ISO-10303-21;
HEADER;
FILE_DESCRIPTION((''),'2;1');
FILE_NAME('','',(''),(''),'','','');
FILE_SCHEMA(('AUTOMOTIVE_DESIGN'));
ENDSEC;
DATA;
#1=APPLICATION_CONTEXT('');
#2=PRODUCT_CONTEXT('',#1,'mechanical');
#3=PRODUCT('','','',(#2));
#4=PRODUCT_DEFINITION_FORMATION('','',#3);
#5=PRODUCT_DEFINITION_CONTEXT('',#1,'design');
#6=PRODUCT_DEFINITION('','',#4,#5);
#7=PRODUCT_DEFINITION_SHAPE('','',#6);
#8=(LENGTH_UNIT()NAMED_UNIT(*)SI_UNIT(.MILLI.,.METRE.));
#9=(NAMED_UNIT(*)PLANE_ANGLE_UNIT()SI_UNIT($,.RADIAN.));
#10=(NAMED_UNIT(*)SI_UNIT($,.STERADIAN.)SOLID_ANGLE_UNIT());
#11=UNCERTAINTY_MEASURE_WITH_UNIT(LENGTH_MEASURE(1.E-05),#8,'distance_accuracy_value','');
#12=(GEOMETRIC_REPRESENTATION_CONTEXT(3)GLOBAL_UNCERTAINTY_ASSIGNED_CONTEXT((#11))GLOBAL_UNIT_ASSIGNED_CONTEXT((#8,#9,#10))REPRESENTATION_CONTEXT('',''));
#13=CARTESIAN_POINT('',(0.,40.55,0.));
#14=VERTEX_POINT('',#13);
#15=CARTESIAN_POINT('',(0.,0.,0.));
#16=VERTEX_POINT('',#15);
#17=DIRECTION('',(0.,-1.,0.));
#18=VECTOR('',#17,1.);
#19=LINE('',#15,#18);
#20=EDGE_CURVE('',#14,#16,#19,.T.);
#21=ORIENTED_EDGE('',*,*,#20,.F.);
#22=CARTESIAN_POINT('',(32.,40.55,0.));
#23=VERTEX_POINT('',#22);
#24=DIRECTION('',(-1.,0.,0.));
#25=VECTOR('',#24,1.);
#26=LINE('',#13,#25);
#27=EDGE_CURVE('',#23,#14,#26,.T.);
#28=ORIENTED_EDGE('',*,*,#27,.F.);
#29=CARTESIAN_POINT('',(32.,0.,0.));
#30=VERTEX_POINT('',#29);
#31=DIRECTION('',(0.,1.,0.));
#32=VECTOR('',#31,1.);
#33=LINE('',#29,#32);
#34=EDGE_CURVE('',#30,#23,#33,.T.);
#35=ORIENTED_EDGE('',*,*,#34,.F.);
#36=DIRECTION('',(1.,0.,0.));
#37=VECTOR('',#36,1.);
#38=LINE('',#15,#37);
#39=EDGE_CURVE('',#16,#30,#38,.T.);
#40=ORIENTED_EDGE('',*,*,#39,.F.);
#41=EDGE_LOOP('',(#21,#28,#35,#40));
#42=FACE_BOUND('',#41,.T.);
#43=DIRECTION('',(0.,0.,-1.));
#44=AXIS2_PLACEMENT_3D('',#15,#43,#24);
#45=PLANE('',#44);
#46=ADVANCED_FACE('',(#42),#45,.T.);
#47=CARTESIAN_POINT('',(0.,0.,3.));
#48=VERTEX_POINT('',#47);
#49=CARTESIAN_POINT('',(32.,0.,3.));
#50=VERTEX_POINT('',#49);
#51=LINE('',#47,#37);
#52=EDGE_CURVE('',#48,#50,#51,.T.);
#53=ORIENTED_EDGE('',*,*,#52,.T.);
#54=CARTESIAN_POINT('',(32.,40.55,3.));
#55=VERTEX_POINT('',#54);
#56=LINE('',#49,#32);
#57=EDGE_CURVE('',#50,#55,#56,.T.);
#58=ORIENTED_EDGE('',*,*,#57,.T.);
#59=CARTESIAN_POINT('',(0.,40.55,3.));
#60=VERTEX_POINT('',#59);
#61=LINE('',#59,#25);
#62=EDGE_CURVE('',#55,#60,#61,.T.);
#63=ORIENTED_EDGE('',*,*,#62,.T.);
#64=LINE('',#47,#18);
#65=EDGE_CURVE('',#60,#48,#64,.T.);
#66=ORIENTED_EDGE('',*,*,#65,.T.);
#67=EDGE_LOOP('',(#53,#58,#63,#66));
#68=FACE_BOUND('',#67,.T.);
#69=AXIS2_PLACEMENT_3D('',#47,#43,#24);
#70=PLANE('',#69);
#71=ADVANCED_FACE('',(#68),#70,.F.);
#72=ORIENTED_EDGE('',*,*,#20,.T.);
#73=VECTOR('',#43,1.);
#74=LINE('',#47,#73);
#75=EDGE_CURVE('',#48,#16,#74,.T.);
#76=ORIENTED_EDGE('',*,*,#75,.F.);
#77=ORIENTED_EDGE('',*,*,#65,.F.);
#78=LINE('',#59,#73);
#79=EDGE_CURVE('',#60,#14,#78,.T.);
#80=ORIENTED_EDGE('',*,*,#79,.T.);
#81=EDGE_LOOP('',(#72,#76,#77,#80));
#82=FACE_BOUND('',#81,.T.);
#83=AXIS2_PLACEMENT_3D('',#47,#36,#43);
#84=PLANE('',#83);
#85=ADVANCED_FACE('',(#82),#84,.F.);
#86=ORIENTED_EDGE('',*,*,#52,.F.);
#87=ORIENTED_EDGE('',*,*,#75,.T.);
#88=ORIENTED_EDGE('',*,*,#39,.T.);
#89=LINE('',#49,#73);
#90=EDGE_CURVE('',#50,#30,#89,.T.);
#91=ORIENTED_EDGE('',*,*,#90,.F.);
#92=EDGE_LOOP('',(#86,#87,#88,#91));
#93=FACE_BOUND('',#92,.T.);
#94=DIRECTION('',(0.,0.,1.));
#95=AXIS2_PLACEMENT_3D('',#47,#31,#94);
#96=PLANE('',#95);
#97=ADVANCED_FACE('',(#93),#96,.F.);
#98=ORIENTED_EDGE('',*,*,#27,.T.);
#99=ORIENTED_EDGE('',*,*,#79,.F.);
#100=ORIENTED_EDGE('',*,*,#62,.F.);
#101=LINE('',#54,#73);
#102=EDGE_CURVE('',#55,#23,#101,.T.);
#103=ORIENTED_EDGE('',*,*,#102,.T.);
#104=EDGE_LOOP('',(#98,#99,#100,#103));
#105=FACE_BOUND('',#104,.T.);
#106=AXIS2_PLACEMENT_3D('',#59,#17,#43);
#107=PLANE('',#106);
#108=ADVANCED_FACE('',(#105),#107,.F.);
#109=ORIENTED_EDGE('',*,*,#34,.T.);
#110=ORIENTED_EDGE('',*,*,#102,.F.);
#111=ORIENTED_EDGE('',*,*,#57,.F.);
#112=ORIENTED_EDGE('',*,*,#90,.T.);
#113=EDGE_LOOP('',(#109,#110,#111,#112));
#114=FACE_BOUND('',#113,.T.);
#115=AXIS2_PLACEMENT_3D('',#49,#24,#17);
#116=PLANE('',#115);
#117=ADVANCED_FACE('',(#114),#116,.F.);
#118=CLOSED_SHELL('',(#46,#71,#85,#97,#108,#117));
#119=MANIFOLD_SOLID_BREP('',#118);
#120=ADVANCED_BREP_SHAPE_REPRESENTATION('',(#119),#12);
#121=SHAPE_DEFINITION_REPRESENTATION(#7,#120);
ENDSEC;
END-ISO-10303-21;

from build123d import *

# Parameters (mm, degrees)
SKETCH1_W           = 32
SKETCH1_H           = 40.55
BOSS_EXTRUDE1_DEPTH = 3


with BuildPart() as part:
    # Sketch1 → Boss-Extrude1 (new body)
    with BuildSketch(Plane.XY):
        with Locations((16, 20.275)):
            Rectangle(SKETCH1_W, SKETCH1_H)
    extrude(amount=BOSS_EXTRUDE1_DEPTH)


solid = part.part
